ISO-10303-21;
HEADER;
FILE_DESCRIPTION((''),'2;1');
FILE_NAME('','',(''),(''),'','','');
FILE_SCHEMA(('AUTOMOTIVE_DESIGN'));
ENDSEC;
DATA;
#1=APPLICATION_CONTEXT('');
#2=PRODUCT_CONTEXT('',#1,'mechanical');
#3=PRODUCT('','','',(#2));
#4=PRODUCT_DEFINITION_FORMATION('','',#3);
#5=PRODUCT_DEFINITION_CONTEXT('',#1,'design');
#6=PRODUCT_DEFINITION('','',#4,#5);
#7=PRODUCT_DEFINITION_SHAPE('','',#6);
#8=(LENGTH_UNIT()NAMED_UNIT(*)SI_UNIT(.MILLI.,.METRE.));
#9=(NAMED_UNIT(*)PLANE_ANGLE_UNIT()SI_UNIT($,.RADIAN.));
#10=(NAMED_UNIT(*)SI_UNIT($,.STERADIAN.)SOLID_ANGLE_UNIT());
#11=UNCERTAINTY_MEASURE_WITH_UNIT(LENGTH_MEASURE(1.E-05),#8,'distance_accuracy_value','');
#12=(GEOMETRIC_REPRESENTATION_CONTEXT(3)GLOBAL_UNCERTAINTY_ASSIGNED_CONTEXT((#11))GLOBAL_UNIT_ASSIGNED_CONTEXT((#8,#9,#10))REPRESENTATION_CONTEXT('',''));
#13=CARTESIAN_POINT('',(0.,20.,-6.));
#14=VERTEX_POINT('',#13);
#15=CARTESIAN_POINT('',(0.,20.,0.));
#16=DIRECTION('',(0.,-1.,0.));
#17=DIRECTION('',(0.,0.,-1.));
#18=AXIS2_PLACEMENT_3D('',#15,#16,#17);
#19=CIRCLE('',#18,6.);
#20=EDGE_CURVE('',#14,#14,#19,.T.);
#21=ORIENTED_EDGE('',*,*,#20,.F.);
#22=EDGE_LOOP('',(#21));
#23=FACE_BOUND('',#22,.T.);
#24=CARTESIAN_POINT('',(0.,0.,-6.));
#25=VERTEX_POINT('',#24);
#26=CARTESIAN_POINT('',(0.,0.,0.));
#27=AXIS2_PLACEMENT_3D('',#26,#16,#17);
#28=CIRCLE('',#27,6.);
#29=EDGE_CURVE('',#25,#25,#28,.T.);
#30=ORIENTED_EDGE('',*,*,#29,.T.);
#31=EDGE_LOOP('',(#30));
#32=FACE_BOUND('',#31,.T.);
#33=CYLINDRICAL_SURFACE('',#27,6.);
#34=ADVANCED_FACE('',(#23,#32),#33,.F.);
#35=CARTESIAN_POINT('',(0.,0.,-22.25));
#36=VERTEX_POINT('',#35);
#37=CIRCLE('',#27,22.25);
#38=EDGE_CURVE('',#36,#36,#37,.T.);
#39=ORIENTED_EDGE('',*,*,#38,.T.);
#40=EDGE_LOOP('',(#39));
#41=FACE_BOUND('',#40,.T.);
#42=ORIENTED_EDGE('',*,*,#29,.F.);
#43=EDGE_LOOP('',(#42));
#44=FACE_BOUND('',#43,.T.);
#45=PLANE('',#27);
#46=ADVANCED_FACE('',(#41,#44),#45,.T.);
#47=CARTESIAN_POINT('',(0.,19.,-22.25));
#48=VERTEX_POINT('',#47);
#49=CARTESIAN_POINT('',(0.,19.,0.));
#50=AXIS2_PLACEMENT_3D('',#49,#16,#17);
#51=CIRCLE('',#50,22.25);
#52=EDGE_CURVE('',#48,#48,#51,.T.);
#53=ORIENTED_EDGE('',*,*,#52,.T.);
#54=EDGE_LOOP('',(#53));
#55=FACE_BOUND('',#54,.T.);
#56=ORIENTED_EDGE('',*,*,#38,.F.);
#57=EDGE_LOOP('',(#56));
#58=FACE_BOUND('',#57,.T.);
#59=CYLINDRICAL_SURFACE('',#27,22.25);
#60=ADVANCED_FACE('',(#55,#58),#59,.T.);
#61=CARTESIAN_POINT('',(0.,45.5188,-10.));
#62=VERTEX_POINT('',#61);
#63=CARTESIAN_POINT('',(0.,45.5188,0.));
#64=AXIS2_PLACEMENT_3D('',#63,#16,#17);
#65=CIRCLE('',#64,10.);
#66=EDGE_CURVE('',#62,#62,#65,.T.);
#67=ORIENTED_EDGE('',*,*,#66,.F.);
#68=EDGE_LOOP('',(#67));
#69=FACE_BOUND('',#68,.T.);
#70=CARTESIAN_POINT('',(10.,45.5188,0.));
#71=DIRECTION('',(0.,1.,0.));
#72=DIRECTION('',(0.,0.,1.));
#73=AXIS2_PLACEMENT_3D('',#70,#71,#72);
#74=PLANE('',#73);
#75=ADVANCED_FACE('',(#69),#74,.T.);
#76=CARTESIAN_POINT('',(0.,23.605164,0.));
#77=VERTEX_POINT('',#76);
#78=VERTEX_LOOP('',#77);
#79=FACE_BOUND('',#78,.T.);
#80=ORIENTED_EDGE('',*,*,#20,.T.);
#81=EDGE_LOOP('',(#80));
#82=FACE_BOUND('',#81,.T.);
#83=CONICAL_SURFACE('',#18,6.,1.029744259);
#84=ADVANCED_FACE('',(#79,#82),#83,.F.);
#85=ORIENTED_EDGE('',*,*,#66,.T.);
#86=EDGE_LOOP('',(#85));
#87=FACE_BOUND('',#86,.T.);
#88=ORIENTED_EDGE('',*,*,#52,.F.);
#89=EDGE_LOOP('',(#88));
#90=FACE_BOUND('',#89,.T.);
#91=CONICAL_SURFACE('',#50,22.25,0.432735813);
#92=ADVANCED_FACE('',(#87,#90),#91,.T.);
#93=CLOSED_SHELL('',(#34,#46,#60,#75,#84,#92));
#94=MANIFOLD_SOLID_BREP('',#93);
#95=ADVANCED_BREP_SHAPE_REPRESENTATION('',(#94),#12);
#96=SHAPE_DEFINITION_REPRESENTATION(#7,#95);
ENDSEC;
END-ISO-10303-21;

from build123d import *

# Parameters (mm, degrees)
F_12_0MM_DOWEL_HOLE1_D     = 12
F_12_0MM_DOWEL_HOLE1_DEPTH = 20
F_12_0MM_DOWEL_HOLE1_TIP   = 3.605163714


with BuildPart() as part:
    # Sketch1 → Revolve1 (revolve)
    with BuildSketch(Plane.XY):
        Polygon((0, 0), (0, 45.5188), (10, 45.5188), (22.25, 19), (22.25, 0), align=None)
    revolve(axis=Axis((0, 0, 0), (0, 1, 0)))

    # Ø12.0mm Dowel Hole1
    with Locations(Plane(origin=(0, 0, 0), x_dir=(-1, 0, 0), z_dir=(0, -1, 0))):
        with Locations((0, 0)):
            Hole(F_12_0MM_DOWEL_HOLE1_D / 2, depth=F_12_0MM_DOWEL_HOLE1_DEPTH)
            with Locations((0, 0, -(F_12_0MM_DOWEL_HOLE1_DEPTH + F_12_0MM_DOWEL_HOLE1_TIP / 2))):  # 118° drill point
                Cone(0, F_12_0MM_DOWEL_HOLE1_D / 2, F_12_0MM_DOWEL_HOLE1_TIP, mode=Mode.SUBTRACT)


solid = part.part
